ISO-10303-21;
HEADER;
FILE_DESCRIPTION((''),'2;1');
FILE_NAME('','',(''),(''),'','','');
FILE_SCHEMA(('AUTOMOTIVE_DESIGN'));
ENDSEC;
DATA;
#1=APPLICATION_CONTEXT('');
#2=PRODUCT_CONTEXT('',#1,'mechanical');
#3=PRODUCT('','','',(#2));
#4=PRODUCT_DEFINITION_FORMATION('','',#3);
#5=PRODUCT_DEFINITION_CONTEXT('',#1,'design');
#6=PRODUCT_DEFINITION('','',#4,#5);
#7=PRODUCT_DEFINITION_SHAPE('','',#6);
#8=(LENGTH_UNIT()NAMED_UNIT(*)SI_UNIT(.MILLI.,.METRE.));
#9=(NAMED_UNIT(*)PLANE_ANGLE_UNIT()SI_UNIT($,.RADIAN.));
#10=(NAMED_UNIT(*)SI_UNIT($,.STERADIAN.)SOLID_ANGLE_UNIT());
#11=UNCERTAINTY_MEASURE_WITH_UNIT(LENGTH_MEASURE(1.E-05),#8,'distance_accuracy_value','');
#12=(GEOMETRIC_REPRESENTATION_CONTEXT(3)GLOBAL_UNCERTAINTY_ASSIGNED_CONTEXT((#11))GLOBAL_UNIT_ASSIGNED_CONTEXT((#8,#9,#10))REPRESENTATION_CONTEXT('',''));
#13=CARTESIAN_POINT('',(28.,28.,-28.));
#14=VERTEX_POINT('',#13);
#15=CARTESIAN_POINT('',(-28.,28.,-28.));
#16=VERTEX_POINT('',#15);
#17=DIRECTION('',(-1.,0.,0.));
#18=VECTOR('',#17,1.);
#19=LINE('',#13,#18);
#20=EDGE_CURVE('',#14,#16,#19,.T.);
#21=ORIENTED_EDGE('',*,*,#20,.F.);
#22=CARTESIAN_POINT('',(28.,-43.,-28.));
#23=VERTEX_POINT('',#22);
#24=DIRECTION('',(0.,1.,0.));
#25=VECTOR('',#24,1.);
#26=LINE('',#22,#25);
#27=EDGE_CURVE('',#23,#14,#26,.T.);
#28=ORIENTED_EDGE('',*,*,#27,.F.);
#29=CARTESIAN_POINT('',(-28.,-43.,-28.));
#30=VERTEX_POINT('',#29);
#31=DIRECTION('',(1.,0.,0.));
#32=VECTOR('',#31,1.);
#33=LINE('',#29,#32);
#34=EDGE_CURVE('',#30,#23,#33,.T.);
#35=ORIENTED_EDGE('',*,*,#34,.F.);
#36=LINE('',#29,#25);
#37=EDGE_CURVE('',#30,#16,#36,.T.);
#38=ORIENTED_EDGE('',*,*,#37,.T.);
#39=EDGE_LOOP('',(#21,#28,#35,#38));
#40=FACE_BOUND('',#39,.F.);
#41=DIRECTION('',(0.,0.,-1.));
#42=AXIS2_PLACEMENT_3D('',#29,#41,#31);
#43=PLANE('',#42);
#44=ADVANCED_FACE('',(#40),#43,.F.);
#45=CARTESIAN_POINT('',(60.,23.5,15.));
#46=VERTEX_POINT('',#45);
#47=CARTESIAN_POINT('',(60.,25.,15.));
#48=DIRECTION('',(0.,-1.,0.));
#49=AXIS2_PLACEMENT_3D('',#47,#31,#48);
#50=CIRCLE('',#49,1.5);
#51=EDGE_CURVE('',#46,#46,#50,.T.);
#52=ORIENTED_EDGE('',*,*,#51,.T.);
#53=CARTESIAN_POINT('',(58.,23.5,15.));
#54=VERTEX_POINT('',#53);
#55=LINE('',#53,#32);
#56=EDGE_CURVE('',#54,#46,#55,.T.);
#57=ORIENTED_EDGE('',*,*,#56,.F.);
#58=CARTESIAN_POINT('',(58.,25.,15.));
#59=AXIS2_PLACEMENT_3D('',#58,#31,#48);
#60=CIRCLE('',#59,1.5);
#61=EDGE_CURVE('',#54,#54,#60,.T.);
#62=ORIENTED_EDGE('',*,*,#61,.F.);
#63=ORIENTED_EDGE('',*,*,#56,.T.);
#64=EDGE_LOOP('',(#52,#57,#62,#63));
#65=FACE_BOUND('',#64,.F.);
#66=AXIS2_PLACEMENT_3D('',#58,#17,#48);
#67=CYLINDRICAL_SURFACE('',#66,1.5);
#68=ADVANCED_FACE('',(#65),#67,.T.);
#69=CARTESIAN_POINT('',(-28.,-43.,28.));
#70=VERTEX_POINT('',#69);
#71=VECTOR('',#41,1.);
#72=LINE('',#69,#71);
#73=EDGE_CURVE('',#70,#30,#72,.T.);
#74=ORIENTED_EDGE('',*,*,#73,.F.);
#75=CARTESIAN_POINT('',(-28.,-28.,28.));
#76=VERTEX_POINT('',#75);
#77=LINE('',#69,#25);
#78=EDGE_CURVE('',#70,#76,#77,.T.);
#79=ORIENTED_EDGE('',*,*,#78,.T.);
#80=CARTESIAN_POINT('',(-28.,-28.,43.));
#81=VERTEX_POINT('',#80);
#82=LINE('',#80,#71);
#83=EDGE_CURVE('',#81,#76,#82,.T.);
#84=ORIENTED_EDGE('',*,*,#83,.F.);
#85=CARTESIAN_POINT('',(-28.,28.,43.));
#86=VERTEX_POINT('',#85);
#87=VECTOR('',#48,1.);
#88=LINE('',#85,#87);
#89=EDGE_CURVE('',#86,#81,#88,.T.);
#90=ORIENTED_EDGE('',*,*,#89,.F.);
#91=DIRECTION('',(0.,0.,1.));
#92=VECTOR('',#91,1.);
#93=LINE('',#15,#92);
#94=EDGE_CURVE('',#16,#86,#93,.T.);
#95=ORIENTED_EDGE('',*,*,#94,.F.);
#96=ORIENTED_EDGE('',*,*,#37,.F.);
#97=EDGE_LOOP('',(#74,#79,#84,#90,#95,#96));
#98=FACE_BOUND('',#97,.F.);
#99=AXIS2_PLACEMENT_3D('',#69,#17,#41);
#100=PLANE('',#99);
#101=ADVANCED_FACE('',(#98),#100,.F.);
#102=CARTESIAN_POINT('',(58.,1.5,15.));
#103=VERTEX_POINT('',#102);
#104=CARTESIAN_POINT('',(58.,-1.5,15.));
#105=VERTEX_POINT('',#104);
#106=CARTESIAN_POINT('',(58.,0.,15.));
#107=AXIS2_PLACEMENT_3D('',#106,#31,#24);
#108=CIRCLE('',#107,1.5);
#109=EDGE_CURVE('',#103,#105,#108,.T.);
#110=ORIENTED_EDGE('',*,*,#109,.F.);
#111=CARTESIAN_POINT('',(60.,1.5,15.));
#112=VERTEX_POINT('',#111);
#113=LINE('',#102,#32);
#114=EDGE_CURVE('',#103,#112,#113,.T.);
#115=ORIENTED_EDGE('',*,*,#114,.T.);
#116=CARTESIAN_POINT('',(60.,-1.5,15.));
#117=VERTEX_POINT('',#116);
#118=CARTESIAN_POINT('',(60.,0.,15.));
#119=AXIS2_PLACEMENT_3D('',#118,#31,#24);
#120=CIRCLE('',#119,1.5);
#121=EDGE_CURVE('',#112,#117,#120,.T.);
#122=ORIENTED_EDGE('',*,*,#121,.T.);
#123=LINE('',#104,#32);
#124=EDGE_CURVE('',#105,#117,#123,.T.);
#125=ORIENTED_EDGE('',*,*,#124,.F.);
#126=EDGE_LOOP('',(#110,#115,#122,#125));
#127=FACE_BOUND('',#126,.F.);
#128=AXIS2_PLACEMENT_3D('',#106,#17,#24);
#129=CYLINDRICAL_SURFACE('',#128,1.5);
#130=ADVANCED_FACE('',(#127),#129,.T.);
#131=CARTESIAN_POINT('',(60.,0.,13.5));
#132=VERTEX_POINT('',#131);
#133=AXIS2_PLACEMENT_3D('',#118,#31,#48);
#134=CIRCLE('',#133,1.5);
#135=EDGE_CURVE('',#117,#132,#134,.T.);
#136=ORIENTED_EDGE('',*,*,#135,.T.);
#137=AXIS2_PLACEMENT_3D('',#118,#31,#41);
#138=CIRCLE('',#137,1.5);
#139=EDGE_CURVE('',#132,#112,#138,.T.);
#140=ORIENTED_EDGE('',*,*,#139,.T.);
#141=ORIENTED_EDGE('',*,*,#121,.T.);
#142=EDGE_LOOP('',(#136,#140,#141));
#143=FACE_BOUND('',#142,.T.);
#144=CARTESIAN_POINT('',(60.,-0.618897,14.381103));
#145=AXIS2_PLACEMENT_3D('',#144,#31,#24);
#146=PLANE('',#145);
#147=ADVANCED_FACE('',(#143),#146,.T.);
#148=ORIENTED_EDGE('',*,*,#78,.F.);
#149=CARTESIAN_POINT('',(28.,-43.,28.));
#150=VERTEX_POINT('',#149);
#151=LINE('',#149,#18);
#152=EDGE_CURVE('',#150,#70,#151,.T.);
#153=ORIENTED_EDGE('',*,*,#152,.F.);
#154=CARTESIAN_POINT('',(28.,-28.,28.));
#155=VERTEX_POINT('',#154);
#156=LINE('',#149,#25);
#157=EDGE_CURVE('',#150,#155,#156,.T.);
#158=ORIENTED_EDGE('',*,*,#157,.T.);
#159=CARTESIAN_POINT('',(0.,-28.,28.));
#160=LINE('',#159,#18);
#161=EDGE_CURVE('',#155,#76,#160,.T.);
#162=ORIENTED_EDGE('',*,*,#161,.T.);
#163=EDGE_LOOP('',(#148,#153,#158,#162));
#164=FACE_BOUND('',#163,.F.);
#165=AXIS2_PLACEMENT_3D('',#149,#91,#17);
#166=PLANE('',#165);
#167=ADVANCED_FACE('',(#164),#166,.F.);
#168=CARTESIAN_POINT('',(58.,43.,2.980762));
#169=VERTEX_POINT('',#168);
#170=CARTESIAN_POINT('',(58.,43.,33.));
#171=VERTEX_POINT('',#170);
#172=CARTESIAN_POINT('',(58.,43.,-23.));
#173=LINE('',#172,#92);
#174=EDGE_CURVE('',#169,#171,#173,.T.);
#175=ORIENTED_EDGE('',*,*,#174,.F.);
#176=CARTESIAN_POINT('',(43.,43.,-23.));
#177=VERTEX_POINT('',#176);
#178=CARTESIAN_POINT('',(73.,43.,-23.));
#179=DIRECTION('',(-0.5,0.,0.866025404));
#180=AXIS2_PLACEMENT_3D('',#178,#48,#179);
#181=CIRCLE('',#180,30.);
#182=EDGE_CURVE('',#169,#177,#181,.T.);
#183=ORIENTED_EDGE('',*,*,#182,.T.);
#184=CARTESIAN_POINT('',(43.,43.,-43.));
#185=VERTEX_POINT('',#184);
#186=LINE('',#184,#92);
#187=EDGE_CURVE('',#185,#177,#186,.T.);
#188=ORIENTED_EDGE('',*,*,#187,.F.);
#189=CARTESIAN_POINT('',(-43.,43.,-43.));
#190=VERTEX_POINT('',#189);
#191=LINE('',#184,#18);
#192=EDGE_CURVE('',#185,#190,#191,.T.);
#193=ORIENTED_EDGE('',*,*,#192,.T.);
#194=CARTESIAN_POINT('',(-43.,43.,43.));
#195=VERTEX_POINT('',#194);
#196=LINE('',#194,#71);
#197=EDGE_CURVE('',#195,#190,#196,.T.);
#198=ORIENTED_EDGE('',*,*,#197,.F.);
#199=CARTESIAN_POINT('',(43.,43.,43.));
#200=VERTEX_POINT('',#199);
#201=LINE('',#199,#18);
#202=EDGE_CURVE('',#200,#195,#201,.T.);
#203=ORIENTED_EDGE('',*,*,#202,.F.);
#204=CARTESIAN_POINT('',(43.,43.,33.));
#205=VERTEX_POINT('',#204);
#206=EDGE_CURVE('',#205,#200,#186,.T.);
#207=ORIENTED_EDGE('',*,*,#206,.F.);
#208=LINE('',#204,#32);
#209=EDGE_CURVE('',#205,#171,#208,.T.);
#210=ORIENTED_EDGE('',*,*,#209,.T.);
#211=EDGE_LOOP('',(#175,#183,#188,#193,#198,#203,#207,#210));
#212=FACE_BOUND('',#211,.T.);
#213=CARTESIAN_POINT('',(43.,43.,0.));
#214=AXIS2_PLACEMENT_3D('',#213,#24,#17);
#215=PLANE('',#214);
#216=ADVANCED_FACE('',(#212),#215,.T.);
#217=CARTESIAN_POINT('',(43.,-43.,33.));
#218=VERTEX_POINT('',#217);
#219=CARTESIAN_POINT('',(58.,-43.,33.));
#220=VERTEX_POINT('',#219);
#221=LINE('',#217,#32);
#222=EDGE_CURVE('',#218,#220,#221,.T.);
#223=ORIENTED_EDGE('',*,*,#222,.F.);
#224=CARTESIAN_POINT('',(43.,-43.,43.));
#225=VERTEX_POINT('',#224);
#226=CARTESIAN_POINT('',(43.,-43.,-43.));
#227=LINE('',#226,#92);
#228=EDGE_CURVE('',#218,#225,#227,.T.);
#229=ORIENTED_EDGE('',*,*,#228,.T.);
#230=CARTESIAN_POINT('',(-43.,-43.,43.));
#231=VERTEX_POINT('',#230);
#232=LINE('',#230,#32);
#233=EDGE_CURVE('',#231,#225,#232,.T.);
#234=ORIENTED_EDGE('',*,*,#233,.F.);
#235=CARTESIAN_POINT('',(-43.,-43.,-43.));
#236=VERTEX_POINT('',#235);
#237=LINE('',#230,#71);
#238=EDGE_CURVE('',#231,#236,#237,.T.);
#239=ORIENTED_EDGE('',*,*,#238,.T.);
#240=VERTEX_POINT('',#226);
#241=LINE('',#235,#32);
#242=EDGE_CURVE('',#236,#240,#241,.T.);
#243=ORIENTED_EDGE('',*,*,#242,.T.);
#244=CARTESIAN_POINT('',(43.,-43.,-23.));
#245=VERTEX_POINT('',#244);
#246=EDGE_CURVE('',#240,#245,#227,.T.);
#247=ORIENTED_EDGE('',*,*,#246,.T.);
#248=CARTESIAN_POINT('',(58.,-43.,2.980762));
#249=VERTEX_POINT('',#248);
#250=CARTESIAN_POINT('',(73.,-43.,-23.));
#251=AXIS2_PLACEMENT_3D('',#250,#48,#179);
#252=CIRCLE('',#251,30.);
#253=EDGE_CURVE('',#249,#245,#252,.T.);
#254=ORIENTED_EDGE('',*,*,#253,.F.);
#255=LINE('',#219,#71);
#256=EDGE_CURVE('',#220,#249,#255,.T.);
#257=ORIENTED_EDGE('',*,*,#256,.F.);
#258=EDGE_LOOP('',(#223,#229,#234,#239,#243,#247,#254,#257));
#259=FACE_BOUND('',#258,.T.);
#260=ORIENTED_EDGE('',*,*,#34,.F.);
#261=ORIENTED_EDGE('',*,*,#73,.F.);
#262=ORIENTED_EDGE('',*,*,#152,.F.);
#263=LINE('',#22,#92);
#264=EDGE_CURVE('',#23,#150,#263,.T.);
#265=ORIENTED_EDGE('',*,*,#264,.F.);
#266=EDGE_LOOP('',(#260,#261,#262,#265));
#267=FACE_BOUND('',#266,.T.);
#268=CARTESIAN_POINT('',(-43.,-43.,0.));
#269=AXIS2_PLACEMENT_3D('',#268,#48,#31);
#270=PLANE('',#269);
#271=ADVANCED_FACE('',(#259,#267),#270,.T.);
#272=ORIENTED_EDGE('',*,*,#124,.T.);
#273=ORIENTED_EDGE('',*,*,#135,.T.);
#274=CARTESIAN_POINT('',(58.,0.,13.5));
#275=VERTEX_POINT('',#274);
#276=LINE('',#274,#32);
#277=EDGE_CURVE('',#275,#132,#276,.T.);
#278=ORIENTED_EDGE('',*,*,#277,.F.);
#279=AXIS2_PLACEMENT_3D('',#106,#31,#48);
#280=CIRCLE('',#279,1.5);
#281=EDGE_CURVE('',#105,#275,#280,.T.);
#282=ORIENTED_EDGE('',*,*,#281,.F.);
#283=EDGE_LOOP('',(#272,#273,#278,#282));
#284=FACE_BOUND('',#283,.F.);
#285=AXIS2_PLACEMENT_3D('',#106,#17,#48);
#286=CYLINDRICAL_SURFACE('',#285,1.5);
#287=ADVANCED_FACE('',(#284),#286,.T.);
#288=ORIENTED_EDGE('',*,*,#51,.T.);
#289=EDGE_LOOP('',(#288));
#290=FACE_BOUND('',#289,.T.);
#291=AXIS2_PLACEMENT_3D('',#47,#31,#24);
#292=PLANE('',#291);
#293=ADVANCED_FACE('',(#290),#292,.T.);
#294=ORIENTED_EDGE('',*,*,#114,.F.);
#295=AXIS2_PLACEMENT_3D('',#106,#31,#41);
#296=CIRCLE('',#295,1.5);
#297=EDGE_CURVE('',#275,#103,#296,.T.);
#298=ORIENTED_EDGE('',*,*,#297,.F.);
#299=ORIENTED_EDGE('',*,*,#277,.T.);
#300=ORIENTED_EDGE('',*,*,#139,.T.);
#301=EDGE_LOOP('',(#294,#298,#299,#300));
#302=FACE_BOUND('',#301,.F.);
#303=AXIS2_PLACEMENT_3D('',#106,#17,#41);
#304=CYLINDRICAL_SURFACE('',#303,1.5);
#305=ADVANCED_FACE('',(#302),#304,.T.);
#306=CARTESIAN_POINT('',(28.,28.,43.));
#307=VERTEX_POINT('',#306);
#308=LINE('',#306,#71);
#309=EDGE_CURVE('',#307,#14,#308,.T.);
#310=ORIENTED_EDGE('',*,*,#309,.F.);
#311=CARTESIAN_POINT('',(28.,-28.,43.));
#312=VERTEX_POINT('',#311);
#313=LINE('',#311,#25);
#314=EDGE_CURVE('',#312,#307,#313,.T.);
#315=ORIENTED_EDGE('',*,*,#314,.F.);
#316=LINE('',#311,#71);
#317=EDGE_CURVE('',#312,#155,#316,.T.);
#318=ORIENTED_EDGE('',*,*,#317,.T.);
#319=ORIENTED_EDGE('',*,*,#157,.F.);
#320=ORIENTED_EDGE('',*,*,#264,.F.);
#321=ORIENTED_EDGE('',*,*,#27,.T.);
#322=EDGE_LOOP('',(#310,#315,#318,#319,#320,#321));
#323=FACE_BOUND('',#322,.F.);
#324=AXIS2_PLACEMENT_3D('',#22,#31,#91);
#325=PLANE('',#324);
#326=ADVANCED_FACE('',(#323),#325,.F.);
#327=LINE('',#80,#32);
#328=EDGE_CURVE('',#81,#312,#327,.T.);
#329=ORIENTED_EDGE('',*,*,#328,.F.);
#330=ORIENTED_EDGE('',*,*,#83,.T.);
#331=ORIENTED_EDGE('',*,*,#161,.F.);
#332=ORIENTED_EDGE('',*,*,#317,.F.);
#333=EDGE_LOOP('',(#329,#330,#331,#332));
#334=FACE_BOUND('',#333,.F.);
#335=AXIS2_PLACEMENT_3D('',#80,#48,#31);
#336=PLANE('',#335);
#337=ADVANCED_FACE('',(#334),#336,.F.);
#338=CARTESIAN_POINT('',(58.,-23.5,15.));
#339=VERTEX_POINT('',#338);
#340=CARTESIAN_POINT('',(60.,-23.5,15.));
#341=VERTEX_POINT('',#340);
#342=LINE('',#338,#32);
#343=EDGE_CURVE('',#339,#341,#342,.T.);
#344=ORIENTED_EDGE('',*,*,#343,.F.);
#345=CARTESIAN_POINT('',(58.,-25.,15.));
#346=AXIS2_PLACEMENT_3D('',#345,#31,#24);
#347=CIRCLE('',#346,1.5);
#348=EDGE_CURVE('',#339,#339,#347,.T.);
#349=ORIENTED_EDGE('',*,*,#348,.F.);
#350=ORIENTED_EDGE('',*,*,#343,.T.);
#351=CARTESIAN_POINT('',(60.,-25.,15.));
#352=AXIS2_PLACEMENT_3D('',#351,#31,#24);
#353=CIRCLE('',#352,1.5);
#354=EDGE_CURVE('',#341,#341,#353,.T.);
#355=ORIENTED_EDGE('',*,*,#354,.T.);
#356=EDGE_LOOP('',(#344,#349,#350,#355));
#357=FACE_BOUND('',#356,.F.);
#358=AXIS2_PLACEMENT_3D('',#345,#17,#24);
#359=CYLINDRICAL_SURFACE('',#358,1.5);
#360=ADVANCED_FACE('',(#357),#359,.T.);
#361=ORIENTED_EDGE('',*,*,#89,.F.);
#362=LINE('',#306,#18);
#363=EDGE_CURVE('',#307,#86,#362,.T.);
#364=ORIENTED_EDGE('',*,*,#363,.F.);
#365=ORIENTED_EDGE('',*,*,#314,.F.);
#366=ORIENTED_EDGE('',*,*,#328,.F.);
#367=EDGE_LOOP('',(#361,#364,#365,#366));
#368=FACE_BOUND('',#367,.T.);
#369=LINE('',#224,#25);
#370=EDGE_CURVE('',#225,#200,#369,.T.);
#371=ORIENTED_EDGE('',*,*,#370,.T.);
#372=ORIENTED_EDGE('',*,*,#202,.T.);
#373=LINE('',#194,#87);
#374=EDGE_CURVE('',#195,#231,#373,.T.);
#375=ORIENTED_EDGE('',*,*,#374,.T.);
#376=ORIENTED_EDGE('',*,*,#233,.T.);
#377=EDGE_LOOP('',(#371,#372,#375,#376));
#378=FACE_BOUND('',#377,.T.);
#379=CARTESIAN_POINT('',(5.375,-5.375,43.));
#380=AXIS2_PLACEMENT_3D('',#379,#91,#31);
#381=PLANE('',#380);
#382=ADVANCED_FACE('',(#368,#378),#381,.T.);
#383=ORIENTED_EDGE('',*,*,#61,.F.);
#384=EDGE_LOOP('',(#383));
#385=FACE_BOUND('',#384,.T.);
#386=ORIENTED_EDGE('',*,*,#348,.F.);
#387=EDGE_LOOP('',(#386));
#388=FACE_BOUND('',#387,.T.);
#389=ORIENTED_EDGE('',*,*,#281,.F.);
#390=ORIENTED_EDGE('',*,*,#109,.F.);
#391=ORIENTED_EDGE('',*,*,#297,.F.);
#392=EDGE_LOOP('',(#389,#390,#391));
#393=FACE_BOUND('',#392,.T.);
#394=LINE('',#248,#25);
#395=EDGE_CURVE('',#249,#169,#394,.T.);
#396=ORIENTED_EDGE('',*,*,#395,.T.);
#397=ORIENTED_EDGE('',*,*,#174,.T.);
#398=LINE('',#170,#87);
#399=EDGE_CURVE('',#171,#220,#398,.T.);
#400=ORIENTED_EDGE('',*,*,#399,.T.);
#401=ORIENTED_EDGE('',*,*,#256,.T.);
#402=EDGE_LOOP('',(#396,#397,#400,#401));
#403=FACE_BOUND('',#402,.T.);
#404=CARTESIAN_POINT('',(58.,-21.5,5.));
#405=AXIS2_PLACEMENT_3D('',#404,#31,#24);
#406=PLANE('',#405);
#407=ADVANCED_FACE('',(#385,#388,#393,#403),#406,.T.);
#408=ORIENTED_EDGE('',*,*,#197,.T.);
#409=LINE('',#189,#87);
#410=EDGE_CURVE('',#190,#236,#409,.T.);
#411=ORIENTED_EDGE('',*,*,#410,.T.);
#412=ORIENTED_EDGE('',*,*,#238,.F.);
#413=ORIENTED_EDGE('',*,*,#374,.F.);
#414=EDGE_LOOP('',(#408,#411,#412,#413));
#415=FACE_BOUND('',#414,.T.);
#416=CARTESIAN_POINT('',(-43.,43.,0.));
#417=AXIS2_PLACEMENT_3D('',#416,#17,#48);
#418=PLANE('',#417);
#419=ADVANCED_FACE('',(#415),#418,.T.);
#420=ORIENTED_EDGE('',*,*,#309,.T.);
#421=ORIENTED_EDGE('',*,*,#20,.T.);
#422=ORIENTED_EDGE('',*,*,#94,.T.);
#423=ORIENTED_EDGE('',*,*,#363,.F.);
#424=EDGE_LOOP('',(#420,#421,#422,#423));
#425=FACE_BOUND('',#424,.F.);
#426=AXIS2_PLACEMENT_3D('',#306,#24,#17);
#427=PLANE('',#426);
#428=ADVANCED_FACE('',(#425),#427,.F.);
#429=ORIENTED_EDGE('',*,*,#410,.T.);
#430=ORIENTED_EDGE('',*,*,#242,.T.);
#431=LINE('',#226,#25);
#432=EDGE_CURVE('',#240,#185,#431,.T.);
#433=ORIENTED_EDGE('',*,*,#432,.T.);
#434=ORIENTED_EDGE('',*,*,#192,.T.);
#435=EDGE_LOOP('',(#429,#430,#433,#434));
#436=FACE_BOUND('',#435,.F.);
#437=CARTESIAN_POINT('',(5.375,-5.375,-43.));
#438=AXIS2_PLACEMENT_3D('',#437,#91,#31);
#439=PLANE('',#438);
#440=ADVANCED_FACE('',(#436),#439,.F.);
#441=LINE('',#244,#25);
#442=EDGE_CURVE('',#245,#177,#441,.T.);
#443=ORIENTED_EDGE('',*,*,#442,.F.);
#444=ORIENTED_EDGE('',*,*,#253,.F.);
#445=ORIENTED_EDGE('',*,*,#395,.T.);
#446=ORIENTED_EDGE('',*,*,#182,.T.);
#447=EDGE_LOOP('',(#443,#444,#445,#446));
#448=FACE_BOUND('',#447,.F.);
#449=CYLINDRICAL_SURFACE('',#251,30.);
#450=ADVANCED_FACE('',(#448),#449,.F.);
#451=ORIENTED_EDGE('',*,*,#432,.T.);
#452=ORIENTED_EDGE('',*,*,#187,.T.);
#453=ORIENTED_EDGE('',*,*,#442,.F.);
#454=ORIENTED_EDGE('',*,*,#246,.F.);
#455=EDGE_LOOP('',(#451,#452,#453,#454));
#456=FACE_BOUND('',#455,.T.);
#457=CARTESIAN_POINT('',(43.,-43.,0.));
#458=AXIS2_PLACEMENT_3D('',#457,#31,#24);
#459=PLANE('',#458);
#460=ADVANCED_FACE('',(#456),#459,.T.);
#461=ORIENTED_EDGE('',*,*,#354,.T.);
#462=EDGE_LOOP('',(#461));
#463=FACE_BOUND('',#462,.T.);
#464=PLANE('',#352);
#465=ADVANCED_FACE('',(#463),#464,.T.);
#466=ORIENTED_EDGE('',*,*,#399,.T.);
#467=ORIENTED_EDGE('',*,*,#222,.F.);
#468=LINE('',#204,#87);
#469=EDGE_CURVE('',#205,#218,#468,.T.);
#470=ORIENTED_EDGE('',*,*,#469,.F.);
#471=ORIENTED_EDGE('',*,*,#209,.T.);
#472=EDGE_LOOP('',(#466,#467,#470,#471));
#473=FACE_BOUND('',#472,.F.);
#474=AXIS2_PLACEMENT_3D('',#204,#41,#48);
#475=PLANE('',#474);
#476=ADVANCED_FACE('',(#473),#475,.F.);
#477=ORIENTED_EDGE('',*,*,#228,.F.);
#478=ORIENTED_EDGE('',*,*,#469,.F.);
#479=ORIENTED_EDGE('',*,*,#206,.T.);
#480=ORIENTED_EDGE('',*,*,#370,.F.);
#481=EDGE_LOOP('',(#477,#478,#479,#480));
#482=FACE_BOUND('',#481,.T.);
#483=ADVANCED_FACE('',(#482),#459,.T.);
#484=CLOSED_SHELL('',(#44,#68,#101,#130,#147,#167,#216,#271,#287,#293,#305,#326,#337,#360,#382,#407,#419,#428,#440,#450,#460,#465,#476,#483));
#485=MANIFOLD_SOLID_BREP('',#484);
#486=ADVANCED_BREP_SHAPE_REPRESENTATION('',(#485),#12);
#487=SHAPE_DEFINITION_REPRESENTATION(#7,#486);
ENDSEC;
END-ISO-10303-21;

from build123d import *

# Parameters (mm, degrees)
F0_W          = 43
F0_H          = 43
F1_DEPTH      = 43
F1_DEPTH_BACK = 43
F2_W          = 28
F2_H          = 28
F3_DEPTH      = 71
F4_W          = 28
F4_H          = 28
F5_DEPTH      = 71
F7_DEPTH      = 15
F9_DEPTH      = 100
F10_R         = 1.5
F11_DEPTH     = 2


with BuildPart() as f1:
    # F0 (on Top) → F1 (new body, two sides)
    with BuildSketch(Plane.XY) as f1_sk:
        Polygon((0, 43), (0, 0), (-43, 0), (-43, -43), (0, -43), (43, -43), (43, 0), (43, 43), align=None)
        with Locations((-21.5, 21.5)):
            Rectangle(F0_W, F0_H)
    extrude(amount=F1_DEPTH)
    extrude(f1_sk.sketch, amount=-F1_DEPTH_BACK)

    # F2 (on face) → F3 (cut)
    with BuildSketch(Plane.XY.offset(43)):
        with Locations((-14, 14)):
            Rectangle(F2_W, F2_H)
        Polygon((0, 28), (0, 0), (-28, 0), (-28, -28), (0, -28), (28, -28), (28, 0), (28, 28), align=None)
    extrude(amount=-F3_DEPTH, mode=Mode.SUBTRACT)

    # F4 (on face) → F5 (cut)
    with BuildSketch(Plane.XZ.offset(43)):
        with Locations((-14, 14)):
            Rectangle(F4_W, F4_H)
        Polygon((0, 28), (0, 0), (-28, 0), (-28, -28), (0, -28), (28, -28), (28, 0), (28, 28), align=None)
    extrude(amount=-F5_DEPTH, mode=Mode.SUBTRACT)

    # F6 (on face) → F7 (join)
    with BuildSketch(Plane.YZ.offset(43)):
        Polygon((0, -23), (0, 0), (0, 33), (-43, 33), (-43, -23), align=None)
        Polygon((0, 33), (0, 0), (0, -23), (43, -23), (43, 33), align=None)
    extrude(amount=F7_DEPTH)

    # F8 (on face) → F9 (cut)
    with BuildSketch(Plane.XZ.offset(43)):
        with BuildLine():
            Line((68, 7), (68, 6.5803989155))
            ThreePointArc((68, 6.5803989155), (70.4912121916, 6.8949156836), (73, 7))
            Line((73, 7), (68, 7))
        make_face()
        with BuildLine():
            ThreePointArc((58, 2.9807621135), (47.0192378865, -8), (43, -23))
            Line((43, -23), (58, -23))
            Line((58, -23), (58, 2.9807621135))
        make_face()
    extrude(amount=-F9_DEPTH, mode=Mode.SUBTRACT)

    # F10 (on face) → F11 (join)
    with BuildSketch(Plane.YZ.offset(58)):
        with BuildLine():
            ThreePointArc((-1.5, 15), (-1.0606601718, 13.9393398282), (0, 13.5))
            Line((0, 13.5), (0, 15))
            Line((0, 15), (-1.5, 15))
        make_face()
        with BuildLine():
            Line((-1.5, 15), (0, 15))
            Line((0, 15), (1.5, 15))
            ThreePointArc((1.5, 15), (0, 16.5), (-1.5, 15))
        make_face()
        with BuildLine():
            Line((0, 15), (0, 13.5))
            ThreePointArc((0, 13.5), (1.0606601718, 13.9393398282), (1.5, 15))
            Line((1.5, 15), (0, 15))
        make_face()
        with Locations((-25, 15)):
            Circle(F10_R)
        with BuildLine():
            ThreePointArc((26.5, 15), (25, 16.5), (23.5, 15))
            ThreePointArc((23.5, 15), (25, 13.5), (26.5, 15))
        make_face()
    extrude(amount=F11_DEPTH)


solid = f1.part
